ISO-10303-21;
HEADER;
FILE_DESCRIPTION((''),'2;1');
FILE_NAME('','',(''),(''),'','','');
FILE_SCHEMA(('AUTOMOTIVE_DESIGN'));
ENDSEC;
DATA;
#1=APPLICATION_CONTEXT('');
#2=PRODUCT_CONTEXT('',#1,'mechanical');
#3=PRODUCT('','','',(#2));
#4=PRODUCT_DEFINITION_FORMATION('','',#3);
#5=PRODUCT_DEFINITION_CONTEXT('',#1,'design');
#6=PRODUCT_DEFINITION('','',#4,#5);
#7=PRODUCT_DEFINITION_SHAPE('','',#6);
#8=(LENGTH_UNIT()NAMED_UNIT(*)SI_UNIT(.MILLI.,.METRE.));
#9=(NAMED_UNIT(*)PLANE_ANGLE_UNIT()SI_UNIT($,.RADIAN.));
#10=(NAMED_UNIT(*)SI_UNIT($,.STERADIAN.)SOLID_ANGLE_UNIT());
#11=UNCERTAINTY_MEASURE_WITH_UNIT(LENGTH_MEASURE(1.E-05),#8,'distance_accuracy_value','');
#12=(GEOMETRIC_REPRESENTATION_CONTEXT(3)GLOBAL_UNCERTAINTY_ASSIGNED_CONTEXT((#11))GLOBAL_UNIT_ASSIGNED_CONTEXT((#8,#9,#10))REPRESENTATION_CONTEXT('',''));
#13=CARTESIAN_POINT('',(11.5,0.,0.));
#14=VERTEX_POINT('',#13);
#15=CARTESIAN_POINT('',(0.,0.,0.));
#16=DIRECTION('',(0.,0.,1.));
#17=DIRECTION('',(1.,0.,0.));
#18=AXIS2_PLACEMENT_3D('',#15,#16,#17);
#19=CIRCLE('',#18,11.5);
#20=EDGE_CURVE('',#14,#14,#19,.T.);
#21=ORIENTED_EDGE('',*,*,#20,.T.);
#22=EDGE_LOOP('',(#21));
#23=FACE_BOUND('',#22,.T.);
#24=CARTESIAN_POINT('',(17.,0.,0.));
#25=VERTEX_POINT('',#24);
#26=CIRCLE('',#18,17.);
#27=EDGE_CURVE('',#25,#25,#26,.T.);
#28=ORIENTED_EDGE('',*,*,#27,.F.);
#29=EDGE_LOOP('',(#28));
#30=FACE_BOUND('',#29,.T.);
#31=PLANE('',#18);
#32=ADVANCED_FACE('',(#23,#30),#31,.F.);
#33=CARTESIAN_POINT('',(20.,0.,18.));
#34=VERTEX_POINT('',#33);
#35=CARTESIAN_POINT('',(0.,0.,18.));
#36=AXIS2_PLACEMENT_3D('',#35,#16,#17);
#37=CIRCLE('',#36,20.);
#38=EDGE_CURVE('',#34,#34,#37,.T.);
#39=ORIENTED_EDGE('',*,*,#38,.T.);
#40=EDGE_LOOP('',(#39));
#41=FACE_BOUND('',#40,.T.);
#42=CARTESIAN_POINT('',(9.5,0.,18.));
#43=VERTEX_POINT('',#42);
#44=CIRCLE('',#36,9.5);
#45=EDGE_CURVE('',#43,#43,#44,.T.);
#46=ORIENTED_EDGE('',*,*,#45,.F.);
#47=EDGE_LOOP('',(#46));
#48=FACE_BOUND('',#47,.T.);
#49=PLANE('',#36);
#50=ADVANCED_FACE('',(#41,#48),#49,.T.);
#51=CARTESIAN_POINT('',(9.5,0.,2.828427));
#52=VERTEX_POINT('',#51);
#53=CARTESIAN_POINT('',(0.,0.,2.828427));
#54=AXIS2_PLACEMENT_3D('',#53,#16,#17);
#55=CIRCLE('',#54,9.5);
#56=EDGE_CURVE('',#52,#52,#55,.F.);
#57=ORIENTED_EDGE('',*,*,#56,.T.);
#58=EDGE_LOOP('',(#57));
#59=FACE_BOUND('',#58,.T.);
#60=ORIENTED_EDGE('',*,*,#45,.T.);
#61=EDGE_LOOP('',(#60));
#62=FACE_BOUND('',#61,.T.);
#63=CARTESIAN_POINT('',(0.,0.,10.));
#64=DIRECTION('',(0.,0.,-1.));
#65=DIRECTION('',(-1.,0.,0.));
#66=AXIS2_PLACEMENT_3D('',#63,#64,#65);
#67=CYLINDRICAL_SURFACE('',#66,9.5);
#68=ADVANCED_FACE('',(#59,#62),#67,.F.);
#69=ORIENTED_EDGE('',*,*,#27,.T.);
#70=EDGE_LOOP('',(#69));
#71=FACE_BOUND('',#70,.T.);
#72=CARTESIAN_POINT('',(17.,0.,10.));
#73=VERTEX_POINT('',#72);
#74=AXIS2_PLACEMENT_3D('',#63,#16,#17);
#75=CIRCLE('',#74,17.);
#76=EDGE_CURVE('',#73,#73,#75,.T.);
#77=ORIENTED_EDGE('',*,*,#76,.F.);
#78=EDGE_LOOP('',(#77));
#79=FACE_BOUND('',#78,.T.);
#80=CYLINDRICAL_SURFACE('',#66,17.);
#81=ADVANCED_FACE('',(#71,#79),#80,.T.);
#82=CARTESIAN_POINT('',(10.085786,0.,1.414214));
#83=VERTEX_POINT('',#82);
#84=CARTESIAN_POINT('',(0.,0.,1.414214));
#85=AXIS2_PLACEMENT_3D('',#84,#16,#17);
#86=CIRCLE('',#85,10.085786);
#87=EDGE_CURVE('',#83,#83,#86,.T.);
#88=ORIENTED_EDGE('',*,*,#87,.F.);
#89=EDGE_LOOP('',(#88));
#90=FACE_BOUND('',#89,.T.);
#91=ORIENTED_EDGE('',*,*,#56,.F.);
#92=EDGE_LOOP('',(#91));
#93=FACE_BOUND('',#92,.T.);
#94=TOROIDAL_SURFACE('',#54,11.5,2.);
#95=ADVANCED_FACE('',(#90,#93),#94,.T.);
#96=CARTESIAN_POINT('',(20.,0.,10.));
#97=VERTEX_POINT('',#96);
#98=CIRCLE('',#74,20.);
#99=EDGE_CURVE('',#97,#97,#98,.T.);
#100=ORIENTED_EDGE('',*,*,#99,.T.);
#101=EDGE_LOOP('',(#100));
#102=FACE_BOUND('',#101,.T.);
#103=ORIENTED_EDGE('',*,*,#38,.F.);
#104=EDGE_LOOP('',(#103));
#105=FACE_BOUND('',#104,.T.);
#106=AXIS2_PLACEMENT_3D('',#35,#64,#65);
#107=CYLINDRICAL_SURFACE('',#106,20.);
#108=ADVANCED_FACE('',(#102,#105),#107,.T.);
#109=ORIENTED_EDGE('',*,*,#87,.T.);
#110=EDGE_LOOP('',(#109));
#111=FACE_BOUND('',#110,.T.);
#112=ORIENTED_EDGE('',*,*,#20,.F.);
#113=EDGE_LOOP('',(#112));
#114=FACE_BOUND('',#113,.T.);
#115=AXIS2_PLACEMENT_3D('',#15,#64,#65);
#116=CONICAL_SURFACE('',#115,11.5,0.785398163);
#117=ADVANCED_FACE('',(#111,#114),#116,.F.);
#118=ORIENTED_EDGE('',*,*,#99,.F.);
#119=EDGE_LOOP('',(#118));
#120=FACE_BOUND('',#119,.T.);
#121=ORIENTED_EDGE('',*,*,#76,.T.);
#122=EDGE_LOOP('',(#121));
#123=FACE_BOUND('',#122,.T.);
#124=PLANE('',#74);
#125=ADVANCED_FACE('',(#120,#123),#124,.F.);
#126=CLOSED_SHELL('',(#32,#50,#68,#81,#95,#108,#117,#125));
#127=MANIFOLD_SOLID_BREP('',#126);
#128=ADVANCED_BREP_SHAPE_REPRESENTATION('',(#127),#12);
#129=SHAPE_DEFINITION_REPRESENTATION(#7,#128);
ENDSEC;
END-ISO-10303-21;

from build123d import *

# Parameters (mm, degrees)
SKETCH1_R           = 17
SKETCH1_R_2         = 9.5
BOSS_EXTRUDE1_DEPTH = 10
SKETCH2_R           = 20
SKETCH2_R_2         = 9.5
BOSS_EXTRUDE2_DEPTH = 8
CHAMFER1_SIZE       = 2
FILLET1_R           = 2


with BuildPart() as part:
    # Sketch1 → Boss-Extrude1 (new body)
    with BuildSketch(Plane.XY):
        Circle(SKETCH1_R)
        Circle(SKETCH1_R_2, mode=Mode.SUBTRACT)
    extrude(amount=BOSS_EXTRUDE1_DEPTH)

    # Sketch2 → Boss-Extrude2 (add)
    with BuildSketch(Plane.XY.offset(10)):
        Circle(SKETCH2_R)
        Circle(SKETCH2_R_2, mode=Mode.SUBTRACT)
    extrude(amount=BOSS_EXTRUDE2_DEPTH)

    # Chamfer1
    chamfer1_edges = [part.edges().sort_by_distance(p)[0] for p in [
        (-9.5, 0, 0),
    ]]
    chamfer(chamfer1_edges, length=CHAMFER1_SIZE)

    # Fillet1
    fillet1_edges = [part.edges().sort_by_distance(p)[0] for p in [
        (-9.5, 0, 2),
    ]]
    fillet(fillet1_edges, radius=FILLET1_R)


solid = part.part
